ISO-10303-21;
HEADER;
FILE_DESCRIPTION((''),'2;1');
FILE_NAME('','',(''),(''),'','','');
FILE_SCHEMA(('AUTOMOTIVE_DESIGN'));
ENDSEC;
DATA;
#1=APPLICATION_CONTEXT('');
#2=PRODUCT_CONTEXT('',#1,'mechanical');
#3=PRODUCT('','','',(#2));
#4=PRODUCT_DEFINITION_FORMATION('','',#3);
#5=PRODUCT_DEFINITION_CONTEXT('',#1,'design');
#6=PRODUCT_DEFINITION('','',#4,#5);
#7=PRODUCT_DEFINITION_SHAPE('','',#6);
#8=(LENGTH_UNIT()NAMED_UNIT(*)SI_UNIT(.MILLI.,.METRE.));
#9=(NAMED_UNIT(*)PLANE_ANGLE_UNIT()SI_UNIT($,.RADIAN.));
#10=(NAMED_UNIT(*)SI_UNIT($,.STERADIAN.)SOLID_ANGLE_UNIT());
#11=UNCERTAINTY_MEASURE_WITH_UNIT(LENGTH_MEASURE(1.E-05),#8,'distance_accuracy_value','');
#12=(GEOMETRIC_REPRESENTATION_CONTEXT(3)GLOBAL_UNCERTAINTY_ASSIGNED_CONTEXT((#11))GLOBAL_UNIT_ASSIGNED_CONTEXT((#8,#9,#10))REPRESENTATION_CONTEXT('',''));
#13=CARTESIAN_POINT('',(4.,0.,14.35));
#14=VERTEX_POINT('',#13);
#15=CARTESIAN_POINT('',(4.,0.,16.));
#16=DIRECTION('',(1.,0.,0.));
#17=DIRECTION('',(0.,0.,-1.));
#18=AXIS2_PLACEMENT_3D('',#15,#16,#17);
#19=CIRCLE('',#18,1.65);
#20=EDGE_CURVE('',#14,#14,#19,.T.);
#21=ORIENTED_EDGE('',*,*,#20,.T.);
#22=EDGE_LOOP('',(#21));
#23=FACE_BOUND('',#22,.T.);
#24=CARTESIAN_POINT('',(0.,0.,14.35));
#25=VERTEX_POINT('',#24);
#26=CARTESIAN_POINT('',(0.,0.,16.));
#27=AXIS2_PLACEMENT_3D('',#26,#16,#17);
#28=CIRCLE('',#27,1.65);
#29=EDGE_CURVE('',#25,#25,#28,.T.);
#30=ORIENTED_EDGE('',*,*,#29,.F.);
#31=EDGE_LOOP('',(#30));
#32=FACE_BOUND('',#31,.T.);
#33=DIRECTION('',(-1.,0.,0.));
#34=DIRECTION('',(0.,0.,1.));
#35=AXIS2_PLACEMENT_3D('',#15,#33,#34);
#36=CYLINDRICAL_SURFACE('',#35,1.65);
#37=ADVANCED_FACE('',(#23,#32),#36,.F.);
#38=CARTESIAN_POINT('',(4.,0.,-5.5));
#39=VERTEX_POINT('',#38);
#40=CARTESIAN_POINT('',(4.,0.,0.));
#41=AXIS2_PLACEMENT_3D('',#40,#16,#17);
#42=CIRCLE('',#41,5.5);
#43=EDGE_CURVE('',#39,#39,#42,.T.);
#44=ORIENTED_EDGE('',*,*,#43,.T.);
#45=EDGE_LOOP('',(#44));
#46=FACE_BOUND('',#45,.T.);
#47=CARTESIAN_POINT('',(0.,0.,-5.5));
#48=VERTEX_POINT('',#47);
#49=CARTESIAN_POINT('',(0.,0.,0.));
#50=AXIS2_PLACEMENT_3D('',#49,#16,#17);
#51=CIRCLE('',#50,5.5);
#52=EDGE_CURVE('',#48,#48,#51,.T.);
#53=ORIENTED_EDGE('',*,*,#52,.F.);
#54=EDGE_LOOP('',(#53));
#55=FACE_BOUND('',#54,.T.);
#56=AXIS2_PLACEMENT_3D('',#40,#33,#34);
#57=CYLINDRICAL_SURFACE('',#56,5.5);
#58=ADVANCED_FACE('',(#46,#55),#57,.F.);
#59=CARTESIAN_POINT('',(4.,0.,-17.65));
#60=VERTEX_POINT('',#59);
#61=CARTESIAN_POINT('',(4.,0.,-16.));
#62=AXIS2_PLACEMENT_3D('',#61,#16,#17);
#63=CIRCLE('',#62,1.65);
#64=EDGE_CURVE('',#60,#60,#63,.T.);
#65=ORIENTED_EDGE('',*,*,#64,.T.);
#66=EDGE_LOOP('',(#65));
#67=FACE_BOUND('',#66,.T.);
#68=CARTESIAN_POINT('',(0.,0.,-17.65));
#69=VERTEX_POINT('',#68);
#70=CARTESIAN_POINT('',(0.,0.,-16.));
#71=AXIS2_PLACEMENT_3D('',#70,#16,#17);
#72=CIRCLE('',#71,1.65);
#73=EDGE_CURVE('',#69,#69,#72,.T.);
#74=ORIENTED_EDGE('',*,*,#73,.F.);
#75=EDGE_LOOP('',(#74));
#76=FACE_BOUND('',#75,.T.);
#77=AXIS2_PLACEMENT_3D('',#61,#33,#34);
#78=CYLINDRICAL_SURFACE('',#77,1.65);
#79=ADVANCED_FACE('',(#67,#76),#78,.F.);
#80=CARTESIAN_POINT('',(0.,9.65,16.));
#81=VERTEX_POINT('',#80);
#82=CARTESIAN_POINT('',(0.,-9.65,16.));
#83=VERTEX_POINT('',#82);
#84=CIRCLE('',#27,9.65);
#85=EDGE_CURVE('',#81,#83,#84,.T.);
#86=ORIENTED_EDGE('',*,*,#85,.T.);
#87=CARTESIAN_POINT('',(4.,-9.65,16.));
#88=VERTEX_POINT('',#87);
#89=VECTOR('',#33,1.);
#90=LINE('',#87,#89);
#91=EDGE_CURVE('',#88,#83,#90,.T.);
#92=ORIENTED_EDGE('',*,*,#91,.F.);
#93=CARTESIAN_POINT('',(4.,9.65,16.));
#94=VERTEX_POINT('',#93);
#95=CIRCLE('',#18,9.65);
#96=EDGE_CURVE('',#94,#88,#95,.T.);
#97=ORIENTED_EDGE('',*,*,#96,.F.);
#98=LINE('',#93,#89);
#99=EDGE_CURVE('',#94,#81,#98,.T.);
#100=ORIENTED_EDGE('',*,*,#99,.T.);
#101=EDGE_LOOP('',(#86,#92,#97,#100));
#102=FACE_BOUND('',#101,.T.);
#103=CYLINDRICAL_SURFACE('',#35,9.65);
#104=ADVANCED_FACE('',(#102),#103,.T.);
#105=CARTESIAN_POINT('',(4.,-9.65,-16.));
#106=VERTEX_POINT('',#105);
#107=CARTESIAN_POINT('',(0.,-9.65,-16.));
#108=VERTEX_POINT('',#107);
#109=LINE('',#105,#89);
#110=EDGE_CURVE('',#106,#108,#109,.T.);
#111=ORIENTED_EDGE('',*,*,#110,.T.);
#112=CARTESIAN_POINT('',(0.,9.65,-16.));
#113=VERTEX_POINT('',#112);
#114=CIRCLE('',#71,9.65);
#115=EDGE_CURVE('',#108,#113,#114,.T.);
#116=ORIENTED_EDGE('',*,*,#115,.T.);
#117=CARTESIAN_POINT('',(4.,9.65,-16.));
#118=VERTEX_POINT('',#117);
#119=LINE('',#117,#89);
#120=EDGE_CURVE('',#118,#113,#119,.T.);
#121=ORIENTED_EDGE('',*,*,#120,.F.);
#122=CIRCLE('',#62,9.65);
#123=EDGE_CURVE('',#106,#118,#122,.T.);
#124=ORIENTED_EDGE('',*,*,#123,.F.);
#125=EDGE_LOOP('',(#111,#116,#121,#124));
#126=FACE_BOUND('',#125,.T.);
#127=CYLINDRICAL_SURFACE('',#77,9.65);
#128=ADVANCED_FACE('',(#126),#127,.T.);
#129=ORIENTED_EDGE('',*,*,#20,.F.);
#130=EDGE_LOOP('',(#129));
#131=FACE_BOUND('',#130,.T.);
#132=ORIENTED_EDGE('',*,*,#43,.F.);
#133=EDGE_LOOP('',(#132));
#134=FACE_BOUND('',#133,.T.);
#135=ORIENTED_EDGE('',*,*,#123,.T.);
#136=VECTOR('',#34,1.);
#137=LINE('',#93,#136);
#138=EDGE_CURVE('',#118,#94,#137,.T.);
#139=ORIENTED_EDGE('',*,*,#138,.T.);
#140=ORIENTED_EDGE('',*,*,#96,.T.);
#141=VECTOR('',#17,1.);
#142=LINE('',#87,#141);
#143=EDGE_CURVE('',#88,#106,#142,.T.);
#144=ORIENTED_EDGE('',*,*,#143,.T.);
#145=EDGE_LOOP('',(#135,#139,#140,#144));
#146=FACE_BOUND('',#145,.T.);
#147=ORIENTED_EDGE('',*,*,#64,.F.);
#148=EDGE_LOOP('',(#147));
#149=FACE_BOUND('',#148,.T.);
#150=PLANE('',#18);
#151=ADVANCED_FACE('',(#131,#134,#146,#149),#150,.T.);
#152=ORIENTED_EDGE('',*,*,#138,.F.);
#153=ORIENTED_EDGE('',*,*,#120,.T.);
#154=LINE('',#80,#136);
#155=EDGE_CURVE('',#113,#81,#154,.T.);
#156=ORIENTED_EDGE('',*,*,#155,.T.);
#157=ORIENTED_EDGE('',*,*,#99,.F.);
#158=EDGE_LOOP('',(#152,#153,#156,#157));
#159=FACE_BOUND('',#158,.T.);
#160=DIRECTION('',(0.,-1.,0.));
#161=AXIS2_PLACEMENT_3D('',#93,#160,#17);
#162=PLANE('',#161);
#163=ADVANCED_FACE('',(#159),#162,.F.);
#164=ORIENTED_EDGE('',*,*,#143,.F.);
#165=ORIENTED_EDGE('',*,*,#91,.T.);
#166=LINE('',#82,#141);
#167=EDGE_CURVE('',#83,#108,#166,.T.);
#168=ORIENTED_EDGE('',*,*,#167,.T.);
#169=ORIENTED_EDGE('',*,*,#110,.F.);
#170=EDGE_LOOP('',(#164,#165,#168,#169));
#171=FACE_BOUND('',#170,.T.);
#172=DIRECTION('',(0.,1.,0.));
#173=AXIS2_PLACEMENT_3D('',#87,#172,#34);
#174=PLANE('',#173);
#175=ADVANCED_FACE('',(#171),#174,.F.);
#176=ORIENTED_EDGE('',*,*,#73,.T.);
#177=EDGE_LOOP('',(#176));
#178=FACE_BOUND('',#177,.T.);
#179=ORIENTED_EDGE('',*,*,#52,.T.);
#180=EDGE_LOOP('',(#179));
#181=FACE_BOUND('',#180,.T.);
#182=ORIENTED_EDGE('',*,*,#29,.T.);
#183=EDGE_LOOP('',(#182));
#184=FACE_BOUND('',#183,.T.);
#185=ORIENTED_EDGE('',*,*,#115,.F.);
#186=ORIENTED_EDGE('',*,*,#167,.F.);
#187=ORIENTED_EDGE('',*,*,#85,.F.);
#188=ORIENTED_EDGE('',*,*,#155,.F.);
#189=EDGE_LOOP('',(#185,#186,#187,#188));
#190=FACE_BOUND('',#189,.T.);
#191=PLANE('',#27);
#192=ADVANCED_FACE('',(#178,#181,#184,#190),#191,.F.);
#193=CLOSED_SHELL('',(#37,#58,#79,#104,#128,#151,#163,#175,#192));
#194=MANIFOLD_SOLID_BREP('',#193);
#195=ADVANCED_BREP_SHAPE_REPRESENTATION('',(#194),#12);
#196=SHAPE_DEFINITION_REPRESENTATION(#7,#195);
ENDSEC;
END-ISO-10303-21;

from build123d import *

# Parameters (mm, degrees)
SKETCH1_R           = 1.65
SKETCH1_R_2         = 5.5
BOSS_EXTRUDE1_DEPTH = 4


with BuildPart() as part:
    # Sketch1 → Boss-Extrude1 (new body)
    with BuildSketch(Plane(origin=(0, 0, 0), x_dir=(0, 0, -1), z_dir=(1, 0, 0))):
        with BuildLine():
            Line((-16, 9.65), (16, 9.65))
            ThreePointArc((16, 9.65), (25.65, 0), (16, -9.65))
            Line((16, -9.65), (-16, -9.65))
            ThreePointArc((-16, -9.65), (-25.65, 0), (-16, 9.65))
        make_face()
        with Locations((-16, 0)):
            Circle(SKETCH1_R, mode=Mode.SUBTRACT)
        with Locations((16, 0)):
            Circle(SKETCH1_R, mode=Mode.SUBTRACT)
        Circle(SKETCH1_R_2, mode=Mode.SUBTRACT)
    extrude(amount=BOSS_EXTRUDE1_DEPTH)


solid = part.part
